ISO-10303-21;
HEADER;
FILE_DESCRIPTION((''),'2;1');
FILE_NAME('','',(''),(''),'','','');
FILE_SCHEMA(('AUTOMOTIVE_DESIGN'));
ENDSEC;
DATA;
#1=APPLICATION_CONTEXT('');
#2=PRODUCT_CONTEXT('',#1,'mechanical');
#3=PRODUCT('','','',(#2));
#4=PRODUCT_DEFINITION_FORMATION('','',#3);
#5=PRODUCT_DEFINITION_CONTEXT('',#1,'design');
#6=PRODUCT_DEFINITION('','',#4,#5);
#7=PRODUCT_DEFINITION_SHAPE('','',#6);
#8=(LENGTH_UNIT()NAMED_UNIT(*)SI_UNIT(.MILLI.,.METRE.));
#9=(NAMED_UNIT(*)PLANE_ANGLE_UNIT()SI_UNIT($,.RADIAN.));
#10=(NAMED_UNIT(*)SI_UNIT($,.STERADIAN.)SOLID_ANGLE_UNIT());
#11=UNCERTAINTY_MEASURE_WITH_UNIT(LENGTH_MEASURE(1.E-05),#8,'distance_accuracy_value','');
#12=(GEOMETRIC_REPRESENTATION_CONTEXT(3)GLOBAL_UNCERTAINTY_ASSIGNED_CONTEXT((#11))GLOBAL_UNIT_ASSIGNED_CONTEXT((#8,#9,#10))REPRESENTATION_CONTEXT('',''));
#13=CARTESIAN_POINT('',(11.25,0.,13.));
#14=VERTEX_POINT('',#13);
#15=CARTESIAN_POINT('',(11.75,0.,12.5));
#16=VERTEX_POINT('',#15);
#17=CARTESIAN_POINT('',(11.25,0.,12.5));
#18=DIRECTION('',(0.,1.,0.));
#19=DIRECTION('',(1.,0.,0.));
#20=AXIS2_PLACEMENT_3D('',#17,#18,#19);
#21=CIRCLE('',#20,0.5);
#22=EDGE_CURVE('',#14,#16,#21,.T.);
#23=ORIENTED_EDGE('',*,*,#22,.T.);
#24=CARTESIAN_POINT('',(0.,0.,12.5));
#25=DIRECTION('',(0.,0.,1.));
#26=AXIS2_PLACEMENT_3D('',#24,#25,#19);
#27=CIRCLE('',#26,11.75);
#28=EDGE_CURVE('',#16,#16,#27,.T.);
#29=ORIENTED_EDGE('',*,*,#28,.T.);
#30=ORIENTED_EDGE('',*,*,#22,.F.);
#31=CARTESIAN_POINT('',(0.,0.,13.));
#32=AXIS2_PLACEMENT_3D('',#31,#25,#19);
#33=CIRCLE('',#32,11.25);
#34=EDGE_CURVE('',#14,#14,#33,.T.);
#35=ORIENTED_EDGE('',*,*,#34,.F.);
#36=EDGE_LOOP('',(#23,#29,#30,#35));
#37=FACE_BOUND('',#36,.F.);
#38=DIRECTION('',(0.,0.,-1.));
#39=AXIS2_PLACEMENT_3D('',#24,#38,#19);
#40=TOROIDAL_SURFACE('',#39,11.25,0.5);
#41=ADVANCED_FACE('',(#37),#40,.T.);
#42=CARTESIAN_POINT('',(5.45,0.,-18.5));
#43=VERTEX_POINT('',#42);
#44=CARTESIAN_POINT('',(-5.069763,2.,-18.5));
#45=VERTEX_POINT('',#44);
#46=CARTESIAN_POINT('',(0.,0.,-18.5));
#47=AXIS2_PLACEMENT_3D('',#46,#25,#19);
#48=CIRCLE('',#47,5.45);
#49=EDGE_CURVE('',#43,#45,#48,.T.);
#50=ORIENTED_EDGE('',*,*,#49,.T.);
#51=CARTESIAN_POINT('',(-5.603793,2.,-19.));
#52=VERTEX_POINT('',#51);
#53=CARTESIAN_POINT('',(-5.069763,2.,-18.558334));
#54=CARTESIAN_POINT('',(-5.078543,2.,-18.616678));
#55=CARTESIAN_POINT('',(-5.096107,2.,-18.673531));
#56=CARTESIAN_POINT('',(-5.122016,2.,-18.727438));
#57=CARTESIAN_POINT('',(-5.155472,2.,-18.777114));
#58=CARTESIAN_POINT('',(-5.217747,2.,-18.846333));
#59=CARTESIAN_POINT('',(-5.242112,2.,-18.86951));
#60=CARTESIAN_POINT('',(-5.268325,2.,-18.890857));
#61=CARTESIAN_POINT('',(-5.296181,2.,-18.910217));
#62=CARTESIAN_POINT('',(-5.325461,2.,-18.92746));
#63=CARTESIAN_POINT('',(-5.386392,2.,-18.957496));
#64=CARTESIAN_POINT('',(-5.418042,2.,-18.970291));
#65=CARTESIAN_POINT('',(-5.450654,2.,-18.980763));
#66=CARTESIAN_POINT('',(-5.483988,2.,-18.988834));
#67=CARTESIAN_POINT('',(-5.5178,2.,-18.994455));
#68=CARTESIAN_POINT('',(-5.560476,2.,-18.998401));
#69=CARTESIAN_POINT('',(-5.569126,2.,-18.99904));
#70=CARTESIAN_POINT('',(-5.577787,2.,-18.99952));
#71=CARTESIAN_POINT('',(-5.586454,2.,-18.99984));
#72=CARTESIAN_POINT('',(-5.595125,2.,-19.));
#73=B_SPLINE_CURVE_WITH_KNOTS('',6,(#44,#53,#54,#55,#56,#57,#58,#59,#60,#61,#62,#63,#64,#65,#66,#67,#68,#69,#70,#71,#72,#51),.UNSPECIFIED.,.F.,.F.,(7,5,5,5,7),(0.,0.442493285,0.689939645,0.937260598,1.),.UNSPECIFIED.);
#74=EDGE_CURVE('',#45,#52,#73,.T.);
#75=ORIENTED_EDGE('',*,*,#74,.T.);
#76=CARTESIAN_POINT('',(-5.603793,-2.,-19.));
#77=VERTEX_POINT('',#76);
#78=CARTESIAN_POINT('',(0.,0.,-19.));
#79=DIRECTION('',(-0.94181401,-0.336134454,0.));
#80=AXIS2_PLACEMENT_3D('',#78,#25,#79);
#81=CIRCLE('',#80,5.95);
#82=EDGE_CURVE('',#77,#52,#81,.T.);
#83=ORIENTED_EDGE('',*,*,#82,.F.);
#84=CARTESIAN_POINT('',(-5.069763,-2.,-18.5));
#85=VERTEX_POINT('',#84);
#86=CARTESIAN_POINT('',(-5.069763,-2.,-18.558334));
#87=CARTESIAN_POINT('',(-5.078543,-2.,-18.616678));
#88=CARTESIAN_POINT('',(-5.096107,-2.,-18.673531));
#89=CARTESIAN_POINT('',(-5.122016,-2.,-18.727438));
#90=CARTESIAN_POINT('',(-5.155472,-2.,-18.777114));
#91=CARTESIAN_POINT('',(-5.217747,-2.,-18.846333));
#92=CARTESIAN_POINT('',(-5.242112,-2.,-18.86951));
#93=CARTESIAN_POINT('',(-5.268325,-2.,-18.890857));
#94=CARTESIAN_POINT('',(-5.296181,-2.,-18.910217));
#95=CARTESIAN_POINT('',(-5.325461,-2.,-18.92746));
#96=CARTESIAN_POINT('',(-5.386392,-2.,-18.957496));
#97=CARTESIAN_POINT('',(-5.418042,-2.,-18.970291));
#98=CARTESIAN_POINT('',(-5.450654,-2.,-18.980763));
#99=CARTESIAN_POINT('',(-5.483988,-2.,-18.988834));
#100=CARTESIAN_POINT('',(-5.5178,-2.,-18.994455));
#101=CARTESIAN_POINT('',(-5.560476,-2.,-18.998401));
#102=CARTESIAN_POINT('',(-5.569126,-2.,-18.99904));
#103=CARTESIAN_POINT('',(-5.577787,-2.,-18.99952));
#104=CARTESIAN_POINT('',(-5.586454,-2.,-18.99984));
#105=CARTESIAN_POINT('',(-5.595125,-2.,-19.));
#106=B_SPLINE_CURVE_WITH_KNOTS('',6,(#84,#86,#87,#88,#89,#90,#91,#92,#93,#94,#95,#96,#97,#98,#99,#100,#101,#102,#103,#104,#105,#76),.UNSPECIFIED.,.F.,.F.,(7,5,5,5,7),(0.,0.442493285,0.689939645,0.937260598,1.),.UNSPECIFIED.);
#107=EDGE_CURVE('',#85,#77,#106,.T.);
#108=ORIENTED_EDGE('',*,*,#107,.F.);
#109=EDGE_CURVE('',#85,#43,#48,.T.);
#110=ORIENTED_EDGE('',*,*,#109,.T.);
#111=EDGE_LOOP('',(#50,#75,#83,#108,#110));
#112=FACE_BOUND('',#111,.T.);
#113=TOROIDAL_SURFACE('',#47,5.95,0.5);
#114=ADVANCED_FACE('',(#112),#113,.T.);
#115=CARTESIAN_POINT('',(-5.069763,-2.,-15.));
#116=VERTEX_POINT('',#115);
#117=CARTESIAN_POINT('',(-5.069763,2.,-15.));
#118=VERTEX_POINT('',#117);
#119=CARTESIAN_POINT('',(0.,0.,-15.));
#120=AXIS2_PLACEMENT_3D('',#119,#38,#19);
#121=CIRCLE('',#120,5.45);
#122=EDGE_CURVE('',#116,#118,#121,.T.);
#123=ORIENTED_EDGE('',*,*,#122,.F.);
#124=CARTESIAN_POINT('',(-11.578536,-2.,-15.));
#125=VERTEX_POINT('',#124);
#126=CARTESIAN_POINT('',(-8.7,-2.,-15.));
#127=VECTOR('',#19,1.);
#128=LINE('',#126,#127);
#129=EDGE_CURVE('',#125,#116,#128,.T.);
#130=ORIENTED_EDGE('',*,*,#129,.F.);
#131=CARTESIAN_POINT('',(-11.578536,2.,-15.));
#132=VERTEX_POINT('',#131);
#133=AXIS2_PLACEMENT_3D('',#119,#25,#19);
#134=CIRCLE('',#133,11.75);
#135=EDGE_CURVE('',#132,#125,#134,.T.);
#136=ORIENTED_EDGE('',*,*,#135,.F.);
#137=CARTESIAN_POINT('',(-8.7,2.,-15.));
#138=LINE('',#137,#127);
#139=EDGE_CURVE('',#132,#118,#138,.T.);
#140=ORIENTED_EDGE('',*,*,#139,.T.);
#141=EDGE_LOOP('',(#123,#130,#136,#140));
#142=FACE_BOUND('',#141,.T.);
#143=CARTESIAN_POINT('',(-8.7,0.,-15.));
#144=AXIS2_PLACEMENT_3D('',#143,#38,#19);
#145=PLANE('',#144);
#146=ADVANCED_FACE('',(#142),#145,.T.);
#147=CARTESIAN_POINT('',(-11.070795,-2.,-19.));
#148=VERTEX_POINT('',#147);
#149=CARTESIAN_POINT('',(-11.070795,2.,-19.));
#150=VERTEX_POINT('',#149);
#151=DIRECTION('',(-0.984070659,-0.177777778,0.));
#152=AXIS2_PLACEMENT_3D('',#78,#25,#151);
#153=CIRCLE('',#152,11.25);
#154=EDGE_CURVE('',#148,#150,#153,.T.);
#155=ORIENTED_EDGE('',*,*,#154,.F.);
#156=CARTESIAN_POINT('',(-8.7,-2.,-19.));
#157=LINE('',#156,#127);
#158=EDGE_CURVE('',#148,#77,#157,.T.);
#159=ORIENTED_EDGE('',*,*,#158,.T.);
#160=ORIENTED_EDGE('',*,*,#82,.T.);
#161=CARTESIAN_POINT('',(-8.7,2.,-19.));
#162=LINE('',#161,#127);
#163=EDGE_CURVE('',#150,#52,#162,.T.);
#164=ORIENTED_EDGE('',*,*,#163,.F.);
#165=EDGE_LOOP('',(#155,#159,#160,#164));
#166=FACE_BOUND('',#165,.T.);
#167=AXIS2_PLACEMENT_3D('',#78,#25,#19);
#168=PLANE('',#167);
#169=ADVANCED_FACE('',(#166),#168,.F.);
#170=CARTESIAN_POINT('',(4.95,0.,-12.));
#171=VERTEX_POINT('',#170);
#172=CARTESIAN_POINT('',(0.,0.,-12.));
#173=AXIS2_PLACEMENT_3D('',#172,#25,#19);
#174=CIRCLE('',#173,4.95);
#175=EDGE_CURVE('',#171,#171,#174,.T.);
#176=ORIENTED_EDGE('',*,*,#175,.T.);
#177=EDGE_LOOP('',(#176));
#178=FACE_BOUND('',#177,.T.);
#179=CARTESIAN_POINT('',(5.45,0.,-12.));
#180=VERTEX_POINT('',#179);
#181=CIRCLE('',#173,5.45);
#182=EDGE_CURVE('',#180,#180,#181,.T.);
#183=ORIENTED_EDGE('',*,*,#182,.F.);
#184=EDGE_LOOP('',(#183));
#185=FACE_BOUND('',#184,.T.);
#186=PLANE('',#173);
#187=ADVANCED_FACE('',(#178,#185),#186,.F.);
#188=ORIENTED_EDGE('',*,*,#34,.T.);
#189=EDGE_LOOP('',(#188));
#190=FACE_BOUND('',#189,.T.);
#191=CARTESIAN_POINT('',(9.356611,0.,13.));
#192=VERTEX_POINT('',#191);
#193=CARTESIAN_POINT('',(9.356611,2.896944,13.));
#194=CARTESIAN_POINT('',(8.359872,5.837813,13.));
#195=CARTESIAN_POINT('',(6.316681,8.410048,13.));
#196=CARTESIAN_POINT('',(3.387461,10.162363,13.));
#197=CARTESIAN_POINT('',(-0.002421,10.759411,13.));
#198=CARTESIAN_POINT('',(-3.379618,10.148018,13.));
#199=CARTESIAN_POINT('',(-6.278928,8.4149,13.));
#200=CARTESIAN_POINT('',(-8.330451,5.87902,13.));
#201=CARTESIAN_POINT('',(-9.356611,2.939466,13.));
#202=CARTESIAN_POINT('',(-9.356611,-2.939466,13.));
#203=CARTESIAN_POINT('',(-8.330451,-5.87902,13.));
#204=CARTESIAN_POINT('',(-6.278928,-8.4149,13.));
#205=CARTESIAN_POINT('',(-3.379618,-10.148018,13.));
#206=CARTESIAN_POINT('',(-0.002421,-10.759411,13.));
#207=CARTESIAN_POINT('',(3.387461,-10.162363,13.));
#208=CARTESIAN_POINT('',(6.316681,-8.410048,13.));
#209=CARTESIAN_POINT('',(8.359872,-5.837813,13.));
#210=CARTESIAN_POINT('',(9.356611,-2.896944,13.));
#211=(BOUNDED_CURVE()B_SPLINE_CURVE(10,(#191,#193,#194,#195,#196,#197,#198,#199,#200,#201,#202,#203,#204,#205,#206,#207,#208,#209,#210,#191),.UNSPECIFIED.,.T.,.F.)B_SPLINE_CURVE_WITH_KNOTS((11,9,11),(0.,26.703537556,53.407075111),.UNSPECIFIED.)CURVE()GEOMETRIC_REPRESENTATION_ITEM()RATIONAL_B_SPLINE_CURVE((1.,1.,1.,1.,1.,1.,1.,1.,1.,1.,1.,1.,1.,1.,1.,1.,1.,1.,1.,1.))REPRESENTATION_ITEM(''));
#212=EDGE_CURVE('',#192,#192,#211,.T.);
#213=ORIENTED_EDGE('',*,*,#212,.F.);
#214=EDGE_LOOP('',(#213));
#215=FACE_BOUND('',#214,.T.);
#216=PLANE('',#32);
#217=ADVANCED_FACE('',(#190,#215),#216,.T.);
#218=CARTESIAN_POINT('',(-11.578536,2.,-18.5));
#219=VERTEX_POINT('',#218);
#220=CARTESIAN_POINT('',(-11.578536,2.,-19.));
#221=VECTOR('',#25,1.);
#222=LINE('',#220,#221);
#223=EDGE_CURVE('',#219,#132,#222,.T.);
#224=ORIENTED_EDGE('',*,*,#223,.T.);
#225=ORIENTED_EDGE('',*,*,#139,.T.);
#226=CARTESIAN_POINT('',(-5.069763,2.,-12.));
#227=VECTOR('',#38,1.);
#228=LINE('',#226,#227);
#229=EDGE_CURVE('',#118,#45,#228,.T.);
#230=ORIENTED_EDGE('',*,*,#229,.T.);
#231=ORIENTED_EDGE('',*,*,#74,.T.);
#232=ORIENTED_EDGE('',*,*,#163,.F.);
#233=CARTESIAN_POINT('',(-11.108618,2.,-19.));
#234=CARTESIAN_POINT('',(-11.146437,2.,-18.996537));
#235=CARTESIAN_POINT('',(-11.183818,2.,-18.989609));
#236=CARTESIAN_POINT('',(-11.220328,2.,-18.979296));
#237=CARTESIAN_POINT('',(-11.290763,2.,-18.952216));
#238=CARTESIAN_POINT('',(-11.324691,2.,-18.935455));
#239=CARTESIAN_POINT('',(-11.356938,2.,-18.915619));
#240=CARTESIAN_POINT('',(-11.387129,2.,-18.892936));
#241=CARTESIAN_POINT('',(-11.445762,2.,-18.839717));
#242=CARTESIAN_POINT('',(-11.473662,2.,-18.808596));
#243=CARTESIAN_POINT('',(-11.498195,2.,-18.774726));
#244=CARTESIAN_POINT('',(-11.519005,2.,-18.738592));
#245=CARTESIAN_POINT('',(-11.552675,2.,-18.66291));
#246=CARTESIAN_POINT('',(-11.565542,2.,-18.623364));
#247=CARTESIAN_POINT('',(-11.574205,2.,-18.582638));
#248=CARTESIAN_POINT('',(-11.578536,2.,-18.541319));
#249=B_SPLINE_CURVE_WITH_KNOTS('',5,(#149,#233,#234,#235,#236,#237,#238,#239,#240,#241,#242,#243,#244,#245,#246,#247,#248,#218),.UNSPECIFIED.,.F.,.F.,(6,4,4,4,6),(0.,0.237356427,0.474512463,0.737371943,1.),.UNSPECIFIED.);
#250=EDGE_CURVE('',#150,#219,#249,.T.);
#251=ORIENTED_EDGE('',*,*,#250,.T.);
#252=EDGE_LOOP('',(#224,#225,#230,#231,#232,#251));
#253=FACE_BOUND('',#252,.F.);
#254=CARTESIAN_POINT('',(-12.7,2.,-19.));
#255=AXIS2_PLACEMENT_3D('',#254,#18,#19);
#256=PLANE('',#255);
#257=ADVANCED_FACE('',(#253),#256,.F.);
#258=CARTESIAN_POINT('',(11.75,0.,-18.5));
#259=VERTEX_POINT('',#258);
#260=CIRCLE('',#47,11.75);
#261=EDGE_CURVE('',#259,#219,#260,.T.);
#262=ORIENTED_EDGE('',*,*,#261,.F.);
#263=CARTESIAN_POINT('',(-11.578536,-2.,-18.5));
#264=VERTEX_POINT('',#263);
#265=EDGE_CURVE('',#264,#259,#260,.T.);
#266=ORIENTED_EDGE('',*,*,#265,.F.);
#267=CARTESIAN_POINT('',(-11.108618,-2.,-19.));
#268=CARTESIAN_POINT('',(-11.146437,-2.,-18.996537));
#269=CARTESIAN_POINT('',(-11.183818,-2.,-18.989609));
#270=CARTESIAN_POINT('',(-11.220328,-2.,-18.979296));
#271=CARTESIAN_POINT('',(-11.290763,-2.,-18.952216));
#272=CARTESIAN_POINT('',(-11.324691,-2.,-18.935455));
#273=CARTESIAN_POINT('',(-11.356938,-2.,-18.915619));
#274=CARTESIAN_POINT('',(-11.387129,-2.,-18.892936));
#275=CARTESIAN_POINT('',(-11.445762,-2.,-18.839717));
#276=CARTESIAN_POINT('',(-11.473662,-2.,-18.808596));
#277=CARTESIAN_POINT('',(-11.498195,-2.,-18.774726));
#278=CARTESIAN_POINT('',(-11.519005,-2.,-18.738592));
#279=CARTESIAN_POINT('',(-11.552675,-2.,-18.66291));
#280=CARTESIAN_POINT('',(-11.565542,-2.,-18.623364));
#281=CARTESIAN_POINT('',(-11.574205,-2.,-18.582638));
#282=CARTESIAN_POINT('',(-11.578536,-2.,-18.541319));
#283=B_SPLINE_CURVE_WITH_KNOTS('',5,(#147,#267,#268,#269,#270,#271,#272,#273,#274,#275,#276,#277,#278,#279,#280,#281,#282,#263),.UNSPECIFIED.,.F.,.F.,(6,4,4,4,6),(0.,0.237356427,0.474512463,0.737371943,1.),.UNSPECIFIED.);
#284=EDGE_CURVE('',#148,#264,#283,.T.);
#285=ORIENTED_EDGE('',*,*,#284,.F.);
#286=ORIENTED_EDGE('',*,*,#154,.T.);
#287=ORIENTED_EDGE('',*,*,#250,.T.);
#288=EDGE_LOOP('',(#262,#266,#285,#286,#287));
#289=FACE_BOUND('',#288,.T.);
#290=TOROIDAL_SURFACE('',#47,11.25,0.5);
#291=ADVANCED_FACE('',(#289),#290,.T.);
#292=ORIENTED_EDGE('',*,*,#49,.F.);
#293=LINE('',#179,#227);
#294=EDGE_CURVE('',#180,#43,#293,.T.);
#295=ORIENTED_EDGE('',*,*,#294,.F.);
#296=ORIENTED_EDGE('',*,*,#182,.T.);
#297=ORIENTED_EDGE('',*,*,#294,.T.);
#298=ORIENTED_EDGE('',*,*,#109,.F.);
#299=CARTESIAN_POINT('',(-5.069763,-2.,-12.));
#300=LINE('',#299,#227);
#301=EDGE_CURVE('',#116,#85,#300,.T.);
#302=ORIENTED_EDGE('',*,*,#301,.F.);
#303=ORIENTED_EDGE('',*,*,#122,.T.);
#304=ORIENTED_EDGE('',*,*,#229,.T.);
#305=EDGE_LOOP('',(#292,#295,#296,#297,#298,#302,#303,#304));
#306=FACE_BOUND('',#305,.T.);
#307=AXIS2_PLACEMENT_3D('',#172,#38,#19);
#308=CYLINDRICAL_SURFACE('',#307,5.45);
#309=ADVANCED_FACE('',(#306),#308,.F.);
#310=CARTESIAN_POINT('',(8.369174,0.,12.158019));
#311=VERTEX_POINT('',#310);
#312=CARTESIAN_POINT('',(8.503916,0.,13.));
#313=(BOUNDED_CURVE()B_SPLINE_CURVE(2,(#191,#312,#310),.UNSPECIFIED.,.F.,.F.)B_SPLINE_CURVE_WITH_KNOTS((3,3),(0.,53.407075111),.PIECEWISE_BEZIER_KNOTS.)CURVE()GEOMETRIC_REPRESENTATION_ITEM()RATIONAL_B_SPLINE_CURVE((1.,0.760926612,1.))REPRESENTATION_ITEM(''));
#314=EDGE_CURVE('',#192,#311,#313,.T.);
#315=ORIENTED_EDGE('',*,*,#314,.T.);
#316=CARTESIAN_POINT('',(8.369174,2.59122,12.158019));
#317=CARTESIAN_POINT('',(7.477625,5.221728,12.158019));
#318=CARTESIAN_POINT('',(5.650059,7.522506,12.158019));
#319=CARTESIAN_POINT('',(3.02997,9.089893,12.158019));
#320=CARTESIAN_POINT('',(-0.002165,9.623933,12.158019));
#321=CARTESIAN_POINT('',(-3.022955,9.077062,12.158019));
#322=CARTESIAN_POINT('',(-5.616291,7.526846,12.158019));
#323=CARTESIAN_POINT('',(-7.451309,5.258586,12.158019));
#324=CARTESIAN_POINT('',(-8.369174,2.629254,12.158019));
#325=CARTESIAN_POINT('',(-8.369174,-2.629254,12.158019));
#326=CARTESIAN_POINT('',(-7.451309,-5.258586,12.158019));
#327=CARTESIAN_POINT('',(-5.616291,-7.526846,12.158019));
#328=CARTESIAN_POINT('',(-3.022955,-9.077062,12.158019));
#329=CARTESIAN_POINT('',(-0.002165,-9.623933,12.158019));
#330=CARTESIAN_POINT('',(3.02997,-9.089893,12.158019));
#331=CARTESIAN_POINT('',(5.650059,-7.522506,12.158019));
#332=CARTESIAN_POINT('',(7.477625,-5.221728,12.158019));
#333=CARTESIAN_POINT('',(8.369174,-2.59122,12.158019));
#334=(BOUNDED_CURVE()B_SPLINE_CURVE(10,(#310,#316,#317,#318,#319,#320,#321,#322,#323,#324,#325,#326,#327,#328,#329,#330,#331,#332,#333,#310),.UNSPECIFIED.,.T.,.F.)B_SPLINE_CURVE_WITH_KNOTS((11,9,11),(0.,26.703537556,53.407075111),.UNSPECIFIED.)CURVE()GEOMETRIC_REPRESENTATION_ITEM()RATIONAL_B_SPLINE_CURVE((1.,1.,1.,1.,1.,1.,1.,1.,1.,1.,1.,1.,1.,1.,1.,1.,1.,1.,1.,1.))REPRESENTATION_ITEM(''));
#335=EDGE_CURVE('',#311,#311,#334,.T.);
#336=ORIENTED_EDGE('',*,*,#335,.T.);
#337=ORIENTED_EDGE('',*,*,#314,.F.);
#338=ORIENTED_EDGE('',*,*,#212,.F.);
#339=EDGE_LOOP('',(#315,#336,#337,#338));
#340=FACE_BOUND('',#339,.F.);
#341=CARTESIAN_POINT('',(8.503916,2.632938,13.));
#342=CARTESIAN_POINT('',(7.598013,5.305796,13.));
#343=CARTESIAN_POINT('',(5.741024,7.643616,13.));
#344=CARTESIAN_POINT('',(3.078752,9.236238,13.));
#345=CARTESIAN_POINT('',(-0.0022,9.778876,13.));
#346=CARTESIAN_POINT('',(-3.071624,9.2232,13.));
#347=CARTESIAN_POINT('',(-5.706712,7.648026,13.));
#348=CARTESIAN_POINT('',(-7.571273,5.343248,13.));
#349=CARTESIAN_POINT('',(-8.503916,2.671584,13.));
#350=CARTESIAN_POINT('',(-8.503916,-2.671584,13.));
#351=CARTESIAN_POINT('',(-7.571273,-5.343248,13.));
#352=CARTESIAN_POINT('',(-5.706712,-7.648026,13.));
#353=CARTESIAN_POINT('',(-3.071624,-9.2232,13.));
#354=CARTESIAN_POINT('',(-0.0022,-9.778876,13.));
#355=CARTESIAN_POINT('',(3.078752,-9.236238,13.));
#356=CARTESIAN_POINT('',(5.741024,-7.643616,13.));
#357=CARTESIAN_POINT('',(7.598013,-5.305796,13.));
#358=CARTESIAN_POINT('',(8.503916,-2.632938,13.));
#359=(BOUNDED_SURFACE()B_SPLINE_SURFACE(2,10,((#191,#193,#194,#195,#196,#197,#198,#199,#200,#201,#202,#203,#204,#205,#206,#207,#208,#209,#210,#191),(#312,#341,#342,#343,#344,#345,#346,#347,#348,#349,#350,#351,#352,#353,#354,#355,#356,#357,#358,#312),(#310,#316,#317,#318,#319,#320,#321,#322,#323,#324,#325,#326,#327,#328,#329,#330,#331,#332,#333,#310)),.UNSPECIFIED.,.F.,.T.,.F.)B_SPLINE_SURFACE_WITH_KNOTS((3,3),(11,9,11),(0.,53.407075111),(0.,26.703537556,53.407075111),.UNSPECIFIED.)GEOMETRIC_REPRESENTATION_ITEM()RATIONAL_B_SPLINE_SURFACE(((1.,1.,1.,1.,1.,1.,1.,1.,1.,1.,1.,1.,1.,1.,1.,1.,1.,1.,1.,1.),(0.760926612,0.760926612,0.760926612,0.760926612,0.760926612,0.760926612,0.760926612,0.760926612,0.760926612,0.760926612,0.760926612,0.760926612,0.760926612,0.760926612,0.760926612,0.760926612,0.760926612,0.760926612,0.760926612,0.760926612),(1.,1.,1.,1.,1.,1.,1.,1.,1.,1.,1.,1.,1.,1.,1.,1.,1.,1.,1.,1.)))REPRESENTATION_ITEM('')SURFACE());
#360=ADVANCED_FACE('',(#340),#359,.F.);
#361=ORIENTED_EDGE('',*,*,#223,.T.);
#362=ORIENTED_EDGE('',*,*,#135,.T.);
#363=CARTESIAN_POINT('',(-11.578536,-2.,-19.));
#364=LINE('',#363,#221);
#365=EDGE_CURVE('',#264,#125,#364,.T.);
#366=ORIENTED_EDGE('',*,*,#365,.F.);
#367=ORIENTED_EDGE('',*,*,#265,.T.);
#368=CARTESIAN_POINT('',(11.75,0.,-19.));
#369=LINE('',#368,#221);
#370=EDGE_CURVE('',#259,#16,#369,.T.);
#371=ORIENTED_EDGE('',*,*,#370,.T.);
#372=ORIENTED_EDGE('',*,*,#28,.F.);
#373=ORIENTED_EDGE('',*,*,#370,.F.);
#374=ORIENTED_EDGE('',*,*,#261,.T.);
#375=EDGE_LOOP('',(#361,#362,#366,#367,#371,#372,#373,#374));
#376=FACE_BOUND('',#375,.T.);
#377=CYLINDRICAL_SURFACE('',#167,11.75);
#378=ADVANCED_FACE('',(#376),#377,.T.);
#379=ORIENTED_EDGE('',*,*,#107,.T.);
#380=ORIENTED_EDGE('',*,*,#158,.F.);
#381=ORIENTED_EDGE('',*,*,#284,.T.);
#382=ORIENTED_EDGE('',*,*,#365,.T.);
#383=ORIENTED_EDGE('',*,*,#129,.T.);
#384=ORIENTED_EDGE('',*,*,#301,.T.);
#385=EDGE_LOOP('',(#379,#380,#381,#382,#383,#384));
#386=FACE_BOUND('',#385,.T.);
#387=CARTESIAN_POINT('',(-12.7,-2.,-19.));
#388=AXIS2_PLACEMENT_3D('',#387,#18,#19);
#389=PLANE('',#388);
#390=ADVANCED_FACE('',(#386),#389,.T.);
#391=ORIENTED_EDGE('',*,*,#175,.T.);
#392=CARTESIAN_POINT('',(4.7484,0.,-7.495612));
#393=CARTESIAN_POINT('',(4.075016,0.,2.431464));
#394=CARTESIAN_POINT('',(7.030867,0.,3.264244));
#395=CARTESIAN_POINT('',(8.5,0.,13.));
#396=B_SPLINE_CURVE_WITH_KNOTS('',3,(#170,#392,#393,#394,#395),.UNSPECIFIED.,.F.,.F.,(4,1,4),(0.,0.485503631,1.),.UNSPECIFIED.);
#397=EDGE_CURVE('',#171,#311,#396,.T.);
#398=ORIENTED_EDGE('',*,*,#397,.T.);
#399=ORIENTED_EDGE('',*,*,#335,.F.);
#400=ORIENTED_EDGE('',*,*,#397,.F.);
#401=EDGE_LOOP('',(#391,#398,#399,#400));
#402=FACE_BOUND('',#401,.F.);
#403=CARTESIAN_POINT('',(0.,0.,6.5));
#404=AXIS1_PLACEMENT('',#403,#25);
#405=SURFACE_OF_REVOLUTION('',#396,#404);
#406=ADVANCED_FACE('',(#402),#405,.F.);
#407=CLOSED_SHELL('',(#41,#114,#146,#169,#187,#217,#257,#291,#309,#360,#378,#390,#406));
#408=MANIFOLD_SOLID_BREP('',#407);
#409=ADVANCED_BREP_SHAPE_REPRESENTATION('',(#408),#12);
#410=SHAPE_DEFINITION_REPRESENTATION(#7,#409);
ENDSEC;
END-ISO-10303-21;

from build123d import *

# Parameters (mm, degrees)
F2_R     = 0.5
F3_R     = 1
F4_W     = 8
F4_H     = 4
F5_DEPTH = 4


with BuildPart() as f1:
    # F0 (on Front) → F1 (revolve)
    with BuildSketch(Plane.XZ):
        with BuildLine():
            Line((11.75, 13), (8.5, 13))
            add(Edge.make_bspline(
                [(4.95, -12), (4.7483998648, -7.495611577), (4.0750163359, 2.4314636076), (7.0308667384, 3.2642442145), (8.5, 13)],
                knots=[0, 0, 0, 0, 0.4855036305, 1, 1, 1, 1], degree=3))
            Line((4.95, -12), (5.45, -12))
            Line((5.45, -12), (5.45, -19))
            Line((5.45, -19), (11.75, -19))
            Line((11.75, -19), (11.75, 13))
        make_face()
    revolve(axis=Axis((0, 0, 6.5), (0, 0, 1)))

    # F2
    f2_edges = [f1.edges().sort_by_distance(p)[0] for p in [
        (-11.75, 0, 13),
        (-11.75, 0, -19),
        (-5.45, 0, -19),
    ]]
    fillet(f2_edges, radius=F2_R)

    # F3
    f3_edges = [f1.edges().sort_by_distance(p)[0] for p in [
        (-8.5, 0, 13),
    ]]
    fillet(f3_edges, radius=F3_R)

    # F4 (on face) → F5 (cut)
    with BuildSketch(Plane(origin=(0, 0, -19), x_dir=(1, 0, 0), z_dir=(0, 0, -1))):
        with Locations((-8.7, 0)):
            Rectangle(F4_W, F4_H)
    extrude(amount=-F5_DEPTH, mode=Mode.SUBTRACT)


solid = f1.part
